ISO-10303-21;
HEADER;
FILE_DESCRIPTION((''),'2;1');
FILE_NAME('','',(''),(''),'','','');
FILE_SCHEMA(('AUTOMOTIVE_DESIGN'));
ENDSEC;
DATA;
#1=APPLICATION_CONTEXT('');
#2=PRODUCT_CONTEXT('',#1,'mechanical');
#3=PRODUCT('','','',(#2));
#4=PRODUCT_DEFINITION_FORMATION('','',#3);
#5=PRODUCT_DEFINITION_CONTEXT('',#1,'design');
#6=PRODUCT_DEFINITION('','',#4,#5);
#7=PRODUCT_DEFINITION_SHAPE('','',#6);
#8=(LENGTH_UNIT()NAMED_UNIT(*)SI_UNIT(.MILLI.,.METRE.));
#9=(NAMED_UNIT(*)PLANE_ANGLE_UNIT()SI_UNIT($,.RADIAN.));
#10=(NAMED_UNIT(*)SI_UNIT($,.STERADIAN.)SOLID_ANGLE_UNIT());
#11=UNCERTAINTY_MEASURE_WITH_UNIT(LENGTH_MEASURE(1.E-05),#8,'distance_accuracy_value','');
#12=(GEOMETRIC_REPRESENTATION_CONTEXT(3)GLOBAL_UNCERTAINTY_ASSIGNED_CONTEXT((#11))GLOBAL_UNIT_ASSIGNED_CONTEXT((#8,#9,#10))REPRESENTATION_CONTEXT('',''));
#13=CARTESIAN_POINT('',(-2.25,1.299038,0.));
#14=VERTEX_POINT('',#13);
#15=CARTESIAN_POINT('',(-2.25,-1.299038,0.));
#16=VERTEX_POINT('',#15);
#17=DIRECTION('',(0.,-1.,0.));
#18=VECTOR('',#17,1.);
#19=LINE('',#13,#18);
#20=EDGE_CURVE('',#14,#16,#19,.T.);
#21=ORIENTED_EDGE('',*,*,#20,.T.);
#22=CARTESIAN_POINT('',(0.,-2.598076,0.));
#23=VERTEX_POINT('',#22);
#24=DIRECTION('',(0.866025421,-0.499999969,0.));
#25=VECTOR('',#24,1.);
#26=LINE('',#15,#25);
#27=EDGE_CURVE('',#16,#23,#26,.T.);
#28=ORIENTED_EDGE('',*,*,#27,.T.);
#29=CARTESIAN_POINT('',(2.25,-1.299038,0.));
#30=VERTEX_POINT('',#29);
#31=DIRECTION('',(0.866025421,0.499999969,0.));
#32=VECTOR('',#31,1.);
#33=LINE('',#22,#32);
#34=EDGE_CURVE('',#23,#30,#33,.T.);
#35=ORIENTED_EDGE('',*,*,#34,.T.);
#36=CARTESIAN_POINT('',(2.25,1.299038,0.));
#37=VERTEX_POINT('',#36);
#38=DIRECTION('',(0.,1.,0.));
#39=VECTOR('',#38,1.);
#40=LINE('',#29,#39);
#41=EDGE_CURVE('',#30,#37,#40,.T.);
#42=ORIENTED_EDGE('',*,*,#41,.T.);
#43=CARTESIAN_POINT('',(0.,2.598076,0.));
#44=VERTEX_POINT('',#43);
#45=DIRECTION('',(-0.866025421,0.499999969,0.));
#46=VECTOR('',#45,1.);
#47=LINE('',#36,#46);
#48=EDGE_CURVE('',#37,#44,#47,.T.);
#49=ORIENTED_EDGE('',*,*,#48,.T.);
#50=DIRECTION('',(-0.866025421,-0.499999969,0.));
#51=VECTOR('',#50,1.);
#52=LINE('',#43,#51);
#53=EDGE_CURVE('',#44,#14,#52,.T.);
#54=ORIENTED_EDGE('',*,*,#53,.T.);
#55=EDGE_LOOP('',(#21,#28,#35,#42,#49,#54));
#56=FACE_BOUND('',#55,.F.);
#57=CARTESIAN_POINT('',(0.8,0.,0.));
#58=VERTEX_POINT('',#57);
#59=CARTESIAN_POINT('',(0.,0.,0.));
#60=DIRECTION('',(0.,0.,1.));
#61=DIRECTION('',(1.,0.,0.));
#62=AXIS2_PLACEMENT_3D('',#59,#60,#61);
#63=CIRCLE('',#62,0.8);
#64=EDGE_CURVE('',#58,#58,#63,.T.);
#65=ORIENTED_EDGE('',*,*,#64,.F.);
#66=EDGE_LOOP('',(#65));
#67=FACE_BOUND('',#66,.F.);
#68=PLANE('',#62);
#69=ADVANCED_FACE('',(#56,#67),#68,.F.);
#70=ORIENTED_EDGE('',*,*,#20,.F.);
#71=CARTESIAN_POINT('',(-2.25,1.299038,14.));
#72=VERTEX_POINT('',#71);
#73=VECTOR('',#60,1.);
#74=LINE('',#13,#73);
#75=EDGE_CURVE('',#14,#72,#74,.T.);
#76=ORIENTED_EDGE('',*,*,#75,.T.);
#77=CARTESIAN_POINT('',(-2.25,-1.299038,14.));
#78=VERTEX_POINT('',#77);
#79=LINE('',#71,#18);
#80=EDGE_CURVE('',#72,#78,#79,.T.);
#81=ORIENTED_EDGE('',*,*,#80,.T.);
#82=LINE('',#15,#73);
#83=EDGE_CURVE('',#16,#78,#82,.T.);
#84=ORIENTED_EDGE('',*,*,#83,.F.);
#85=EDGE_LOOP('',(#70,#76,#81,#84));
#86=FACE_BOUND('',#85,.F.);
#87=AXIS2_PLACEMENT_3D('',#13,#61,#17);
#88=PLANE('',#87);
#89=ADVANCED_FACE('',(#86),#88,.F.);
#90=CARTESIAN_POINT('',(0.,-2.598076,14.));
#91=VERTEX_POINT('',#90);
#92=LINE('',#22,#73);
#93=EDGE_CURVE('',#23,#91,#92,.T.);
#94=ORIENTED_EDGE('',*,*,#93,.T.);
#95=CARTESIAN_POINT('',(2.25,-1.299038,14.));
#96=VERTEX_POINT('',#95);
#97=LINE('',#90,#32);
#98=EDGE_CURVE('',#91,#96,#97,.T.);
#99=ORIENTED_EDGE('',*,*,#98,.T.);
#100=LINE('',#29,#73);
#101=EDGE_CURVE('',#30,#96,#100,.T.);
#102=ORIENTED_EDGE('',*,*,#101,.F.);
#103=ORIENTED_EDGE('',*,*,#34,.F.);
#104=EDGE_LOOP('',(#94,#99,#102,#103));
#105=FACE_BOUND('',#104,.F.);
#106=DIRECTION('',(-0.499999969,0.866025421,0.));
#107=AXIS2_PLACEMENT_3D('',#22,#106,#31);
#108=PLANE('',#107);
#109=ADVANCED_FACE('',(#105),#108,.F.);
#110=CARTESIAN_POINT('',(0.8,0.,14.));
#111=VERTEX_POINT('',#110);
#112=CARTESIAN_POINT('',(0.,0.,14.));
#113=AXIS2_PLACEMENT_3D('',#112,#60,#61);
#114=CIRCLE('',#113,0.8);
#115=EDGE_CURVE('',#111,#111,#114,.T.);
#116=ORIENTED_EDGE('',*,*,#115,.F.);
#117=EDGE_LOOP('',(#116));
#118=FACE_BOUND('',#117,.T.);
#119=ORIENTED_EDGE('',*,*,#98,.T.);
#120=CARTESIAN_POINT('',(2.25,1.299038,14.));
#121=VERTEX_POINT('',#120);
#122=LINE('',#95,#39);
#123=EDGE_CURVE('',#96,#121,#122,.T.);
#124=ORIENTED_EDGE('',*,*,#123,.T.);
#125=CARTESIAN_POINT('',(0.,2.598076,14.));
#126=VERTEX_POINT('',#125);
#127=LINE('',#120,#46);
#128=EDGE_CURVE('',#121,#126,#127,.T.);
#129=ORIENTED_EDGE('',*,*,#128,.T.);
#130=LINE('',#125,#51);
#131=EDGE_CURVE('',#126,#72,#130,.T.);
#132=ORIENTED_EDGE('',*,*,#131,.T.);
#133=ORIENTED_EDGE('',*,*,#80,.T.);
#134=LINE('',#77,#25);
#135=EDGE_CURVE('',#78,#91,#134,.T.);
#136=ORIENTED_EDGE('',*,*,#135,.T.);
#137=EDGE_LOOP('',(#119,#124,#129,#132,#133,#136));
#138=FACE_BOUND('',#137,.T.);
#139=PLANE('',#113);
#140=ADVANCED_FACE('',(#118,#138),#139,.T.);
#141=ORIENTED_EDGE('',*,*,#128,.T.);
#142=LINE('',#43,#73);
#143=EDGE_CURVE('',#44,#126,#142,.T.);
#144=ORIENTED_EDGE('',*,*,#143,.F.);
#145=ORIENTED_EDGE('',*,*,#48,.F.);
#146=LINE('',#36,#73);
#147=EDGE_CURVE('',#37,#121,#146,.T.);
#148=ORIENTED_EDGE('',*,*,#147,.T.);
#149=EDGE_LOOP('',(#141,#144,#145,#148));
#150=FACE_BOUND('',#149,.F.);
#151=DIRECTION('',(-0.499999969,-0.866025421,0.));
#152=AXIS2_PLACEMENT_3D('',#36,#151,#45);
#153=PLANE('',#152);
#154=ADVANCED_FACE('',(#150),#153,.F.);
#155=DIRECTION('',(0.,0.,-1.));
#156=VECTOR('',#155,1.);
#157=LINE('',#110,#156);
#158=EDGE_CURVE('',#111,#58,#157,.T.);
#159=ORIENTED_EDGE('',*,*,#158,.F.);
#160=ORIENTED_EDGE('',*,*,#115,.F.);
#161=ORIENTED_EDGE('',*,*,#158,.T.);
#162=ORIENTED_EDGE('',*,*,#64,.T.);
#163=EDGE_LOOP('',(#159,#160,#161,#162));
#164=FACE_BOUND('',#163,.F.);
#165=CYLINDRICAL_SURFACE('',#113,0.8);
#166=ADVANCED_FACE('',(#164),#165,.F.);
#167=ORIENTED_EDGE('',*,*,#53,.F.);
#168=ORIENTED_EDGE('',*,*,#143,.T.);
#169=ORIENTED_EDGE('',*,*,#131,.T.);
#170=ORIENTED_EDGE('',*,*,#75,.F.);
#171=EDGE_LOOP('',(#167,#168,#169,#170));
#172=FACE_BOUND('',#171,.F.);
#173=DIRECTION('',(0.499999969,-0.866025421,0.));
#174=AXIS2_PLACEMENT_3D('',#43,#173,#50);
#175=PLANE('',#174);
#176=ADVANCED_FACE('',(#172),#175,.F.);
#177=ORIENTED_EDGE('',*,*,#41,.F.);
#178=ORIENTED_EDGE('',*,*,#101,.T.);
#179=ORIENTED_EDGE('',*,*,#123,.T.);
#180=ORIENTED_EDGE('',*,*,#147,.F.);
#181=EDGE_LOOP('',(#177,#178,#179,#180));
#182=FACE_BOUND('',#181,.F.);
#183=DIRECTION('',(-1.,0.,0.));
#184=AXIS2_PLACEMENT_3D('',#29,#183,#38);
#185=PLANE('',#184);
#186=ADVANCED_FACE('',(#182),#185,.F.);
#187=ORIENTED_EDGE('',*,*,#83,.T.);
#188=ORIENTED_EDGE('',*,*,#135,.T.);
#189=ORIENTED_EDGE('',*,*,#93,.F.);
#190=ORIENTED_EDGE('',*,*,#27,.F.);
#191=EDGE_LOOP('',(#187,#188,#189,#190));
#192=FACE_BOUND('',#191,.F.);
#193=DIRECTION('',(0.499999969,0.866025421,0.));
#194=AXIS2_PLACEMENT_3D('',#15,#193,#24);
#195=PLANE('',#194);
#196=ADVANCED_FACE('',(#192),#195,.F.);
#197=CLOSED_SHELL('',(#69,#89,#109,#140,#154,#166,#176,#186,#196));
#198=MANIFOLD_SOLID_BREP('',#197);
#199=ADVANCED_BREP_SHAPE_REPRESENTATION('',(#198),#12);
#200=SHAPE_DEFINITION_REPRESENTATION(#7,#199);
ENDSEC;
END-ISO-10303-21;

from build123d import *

# Parameters (mm, degrees)
PAD_DEPTH   = 14
SKETCH001_R = 0.8
HOLE_DEPTH  = 14.001


with BuildPart() as part:
    # Sketch → Pad (new body)
    with BuildSketch(Plane.XY):
        Polygon((-2.25, -1.299038), (0, -2.598076), (2.25, -1.299038), (2.25, 1.299038), (0, 2.598076), (-2.25, 1.299038), align=None)
    extrude(amount=PAD_DEPTH)

    # Sketch001 (on Face8 of Pad) → Hole (cut, through all)
    with BuildSketch(Plane.XY.offset(14)):
        Circle(SKETCH001_R)
    extrude(amount=-HOLE_DEPTH, mode=Mode.SUBTRACT)


solid = part.part
